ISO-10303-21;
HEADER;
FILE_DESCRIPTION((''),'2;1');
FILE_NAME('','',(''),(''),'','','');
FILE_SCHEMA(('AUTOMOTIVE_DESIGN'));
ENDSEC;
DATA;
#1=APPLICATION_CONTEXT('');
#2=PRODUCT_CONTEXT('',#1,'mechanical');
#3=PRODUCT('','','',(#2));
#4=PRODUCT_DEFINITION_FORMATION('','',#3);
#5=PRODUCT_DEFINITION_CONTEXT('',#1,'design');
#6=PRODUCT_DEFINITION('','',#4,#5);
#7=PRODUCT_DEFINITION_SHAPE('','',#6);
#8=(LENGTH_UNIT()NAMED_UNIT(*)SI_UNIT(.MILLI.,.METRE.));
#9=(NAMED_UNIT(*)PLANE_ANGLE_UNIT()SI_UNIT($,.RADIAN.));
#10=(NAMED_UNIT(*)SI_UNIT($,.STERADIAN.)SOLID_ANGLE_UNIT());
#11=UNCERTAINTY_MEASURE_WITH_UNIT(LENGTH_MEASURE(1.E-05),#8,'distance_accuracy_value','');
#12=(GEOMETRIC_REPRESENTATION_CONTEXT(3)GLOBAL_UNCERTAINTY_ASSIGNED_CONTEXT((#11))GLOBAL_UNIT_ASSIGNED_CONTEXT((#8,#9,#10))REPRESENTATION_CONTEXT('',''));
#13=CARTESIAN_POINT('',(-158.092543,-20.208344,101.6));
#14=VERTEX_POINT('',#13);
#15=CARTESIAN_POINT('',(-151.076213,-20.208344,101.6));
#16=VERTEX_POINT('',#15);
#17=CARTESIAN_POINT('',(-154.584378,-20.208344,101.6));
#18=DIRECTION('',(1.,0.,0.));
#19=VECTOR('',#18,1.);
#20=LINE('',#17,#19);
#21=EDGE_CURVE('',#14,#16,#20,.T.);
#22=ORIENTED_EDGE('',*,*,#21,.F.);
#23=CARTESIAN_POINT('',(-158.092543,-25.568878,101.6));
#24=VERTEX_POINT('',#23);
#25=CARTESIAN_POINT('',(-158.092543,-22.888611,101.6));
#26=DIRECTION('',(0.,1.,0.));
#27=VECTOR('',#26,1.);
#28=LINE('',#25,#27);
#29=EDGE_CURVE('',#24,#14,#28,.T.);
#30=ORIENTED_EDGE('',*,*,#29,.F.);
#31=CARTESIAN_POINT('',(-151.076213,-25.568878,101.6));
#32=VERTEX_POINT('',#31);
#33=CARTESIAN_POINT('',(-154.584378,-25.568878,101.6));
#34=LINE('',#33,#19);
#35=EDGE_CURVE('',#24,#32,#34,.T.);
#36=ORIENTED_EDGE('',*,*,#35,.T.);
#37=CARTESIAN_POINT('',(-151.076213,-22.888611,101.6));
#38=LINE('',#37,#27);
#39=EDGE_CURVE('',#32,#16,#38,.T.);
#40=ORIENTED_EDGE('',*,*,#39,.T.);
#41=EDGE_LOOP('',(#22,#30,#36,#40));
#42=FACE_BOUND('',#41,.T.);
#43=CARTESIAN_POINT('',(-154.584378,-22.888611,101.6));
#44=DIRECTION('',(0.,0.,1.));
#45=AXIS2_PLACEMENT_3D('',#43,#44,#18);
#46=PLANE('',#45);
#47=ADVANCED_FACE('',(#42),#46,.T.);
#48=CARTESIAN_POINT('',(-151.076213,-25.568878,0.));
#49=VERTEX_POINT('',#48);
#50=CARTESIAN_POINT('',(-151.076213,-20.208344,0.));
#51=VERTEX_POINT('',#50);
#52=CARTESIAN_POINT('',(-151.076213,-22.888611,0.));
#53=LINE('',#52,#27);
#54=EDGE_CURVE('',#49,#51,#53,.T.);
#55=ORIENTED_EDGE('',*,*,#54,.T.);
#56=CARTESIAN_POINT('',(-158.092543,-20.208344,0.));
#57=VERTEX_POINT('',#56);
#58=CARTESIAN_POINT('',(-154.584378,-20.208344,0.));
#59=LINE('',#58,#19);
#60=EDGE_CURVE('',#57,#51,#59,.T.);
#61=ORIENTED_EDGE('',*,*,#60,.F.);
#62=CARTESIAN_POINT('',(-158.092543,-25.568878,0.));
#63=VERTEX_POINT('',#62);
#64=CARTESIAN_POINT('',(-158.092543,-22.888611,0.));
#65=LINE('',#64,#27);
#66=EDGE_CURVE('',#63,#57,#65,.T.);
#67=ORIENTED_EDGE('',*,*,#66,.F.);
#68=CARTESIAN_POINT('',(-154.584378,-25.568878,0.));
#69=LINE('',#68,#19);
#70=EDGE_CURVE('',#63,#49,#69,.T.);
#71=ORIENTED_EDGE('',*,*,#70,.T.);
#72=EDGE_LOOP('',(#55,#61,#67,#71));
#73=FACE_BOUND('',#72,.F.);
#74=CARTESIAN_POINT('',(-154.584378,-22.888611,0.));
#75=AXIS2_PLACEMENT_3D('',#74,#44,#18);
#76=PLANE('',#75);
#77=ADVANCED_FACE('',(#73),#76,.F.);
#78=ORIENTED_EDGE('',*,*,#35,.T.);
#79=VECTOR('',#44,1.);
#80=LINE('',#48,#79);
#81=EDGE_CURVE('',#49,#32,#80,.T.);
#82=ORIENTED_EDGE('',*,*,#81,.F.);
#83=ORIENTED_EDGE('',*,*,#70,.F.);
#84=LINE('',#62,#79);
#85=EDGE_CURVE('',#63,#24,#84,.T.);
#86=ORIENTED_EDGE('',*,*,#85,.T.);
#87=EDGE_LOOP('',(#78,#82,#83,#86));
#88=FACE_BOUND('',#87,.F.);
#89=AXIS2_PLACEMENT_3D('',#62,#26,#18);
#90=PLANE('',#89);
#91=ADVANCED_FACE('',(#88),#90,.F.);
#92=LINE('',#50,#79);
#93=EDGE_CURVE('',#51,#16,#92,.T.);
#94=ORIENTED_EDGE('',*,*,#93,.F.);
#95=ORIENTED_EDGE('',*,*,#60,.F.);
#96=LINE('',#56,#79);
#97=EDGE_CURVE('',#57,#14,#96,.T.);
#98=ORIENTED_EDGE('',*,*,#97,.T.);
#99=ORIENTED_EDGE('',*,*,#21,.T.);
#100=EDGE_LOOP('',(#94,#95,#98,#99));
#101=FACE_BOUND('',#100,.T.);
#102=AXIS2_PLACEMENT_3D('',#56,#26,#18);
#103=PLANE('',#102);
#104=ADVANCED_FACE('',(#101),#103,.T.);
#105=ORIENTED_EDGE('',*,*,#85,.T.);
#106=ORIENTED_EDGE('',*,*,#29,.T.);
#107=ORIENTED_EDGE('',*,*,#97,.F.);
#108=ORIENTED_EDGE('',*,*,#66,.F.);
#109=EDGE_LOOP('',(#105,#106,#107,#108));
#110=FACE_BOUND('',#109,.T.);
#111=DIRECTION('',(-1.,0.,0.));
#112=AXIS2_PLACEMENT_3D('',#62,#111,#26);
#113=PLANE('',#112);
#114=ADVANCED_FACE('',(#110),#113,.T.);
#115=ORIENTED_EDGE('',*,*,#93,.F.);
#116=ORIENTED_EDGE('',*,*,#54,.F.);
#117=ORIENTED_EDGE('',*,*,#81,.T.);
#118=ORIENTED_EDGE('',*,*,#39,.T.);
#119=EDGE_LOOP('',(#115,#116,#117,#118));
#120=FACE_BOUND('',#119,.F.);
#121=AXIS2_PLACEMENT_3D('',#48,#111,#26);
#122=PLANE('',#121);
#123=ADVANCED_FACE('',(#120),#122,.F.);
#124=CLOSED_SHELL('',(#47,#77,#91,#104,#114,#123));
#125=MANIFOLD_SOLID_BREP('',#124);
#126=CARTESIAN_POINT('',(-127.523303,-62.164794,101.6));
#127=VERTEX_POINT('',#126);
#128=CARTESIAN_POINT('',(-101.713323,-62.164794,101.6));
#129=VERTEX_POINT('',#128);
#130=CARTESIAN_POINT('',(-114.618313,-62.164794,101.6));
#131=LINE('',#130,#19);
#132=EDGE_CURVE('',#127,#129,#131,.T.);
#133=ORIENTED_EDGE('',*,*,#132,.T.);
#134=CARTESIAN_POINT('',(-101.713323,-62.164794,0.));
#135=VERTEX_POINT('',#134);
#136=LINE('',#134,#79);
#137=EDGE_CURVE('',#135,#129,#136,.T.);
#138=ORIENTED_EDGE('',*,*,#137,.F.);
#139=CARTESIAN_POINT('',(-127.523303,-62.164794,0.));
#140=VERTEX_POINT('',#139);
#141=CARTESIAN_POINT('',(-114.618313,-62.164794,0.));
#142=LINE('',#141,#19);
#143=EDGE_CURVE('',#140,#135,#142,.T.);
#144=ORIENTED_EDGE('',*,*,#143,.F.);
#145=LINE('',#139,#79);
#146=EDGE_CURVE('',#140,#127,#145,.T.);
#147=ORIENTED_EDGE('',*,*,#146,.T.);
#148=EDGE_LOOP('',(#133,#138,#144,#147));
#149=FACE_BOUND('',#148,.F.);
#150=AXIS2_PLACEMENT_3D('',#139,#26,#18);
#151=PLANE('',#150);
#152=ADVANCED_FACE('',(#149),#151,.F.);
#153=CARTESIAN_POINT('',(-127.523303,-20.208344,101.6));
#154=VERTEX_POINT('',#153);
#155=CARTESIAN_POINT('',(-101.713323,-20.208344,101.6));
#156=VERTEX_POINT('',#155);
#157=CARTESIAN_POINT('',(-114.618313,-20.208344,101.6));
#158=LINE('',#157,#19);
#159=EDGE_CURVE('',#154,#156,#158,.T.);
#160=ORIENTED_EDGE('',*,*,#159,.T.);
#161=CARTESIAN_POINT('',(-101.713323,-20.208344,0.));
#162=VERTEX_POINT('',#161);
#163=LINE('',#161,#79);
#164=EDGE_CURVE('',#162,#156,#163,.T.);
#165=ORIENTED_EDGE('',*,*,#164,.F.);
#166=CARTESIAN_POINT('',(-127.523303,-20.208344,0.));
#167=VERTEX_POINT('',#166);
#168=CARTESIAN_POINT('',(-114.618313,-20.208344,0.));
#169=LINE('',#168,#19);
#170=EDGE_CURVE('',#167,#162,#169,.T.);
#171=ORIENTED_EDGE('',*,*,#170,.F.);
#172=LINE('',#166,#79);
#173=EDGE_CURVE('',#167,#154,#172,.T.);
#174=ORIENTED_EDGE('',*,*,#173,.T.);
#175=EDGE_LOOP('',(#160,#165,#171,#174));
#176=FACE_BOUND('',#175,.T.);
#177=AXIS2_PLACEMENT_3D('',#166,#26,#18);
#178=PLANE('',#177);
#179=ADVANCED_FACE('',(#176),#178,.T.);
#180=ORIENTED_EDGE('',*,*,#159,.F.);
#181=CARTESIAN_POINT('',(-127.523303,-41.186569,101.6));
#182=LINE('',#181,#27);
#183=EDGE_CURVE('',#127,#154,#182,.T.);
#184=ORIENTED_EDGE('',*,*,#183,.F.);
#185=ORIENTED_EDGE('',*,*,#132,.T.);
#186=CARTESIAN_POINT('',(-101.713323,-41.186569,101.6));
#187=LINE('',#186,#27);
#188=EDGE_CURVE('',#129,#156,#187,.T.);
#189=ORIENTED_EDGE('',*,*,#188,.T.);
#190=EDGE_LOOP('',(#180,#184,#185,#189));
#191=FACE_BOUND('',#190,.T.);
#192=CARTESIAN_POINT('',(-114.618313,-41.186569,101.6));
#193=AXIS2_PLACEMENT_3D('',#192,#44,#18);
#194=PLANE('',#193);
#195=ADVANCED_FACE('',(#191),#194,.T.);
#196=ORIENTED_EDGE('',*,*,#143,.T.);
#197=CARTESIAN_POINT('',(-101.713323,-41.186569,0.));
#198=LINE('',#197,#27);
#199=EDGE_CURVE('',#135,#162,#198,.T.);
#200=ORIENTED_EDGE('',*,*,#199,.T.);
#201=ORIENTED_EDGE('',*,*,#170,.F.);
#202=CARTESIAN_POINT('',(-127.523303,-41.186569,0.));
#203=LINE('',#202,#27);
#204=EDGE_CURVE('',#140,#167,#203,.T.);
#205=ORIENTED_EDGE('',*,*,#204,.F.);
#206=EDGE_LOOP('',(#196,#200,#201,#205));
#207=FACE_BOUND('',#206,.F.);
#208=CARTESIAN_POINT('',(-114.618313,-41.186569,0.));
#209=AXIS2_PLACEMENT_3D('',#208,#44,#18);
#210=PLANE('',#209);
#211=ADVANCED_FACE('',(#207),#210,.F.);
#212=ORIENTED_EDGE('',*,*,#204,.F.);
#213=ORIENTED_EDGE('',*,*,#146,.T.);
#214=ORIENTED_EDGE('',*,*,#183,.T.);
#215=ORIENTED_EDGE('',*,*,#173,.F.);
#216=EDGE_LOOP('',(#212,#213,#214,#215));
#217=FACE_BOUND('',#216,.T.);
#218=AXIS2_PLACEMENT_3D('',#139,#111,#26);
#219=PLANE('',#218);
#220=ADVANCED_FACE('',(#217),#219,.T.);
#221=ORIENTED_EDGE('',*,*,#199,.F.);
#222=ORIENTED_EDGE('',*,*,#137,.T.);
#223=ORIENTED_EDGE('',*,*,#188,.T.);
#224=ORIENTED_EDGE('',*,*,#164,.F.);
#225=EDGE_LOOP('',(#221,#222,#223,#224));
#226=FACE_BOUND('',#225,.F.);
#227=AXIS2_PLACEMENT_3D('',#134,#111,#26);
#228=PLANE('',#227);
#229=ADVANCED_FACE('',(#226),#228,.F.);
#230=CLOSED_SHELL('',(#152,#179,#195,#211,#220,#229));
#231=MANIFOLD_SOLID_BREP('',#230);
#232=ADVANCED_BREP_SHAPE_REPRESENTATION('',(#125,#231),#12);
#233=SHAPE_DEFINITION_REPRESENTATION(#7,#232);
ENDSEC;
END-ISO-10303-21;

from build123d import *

# Parameters (mm, degrees)
F0_W     = 7.01633
F0_H     = 5.360534
F0_W_2   = 25.809981
F0_H_2   = 41.956451
F1_DEPTH = 101.6


with BuildPart() as f1:
    # F0 (on Top) → F1 (new body)
    with BuildSketch(Plane.XY):
        with Locations((-154.584378, -22.888611)):
            Rectangle(F0_W, F0_H)
        with Locations((-114.618313, -41.186569)):
            Rectangle(F0_W_2, F0_H_2)
    extrude(amount=F1_DEPTH)


solid = f1.part
